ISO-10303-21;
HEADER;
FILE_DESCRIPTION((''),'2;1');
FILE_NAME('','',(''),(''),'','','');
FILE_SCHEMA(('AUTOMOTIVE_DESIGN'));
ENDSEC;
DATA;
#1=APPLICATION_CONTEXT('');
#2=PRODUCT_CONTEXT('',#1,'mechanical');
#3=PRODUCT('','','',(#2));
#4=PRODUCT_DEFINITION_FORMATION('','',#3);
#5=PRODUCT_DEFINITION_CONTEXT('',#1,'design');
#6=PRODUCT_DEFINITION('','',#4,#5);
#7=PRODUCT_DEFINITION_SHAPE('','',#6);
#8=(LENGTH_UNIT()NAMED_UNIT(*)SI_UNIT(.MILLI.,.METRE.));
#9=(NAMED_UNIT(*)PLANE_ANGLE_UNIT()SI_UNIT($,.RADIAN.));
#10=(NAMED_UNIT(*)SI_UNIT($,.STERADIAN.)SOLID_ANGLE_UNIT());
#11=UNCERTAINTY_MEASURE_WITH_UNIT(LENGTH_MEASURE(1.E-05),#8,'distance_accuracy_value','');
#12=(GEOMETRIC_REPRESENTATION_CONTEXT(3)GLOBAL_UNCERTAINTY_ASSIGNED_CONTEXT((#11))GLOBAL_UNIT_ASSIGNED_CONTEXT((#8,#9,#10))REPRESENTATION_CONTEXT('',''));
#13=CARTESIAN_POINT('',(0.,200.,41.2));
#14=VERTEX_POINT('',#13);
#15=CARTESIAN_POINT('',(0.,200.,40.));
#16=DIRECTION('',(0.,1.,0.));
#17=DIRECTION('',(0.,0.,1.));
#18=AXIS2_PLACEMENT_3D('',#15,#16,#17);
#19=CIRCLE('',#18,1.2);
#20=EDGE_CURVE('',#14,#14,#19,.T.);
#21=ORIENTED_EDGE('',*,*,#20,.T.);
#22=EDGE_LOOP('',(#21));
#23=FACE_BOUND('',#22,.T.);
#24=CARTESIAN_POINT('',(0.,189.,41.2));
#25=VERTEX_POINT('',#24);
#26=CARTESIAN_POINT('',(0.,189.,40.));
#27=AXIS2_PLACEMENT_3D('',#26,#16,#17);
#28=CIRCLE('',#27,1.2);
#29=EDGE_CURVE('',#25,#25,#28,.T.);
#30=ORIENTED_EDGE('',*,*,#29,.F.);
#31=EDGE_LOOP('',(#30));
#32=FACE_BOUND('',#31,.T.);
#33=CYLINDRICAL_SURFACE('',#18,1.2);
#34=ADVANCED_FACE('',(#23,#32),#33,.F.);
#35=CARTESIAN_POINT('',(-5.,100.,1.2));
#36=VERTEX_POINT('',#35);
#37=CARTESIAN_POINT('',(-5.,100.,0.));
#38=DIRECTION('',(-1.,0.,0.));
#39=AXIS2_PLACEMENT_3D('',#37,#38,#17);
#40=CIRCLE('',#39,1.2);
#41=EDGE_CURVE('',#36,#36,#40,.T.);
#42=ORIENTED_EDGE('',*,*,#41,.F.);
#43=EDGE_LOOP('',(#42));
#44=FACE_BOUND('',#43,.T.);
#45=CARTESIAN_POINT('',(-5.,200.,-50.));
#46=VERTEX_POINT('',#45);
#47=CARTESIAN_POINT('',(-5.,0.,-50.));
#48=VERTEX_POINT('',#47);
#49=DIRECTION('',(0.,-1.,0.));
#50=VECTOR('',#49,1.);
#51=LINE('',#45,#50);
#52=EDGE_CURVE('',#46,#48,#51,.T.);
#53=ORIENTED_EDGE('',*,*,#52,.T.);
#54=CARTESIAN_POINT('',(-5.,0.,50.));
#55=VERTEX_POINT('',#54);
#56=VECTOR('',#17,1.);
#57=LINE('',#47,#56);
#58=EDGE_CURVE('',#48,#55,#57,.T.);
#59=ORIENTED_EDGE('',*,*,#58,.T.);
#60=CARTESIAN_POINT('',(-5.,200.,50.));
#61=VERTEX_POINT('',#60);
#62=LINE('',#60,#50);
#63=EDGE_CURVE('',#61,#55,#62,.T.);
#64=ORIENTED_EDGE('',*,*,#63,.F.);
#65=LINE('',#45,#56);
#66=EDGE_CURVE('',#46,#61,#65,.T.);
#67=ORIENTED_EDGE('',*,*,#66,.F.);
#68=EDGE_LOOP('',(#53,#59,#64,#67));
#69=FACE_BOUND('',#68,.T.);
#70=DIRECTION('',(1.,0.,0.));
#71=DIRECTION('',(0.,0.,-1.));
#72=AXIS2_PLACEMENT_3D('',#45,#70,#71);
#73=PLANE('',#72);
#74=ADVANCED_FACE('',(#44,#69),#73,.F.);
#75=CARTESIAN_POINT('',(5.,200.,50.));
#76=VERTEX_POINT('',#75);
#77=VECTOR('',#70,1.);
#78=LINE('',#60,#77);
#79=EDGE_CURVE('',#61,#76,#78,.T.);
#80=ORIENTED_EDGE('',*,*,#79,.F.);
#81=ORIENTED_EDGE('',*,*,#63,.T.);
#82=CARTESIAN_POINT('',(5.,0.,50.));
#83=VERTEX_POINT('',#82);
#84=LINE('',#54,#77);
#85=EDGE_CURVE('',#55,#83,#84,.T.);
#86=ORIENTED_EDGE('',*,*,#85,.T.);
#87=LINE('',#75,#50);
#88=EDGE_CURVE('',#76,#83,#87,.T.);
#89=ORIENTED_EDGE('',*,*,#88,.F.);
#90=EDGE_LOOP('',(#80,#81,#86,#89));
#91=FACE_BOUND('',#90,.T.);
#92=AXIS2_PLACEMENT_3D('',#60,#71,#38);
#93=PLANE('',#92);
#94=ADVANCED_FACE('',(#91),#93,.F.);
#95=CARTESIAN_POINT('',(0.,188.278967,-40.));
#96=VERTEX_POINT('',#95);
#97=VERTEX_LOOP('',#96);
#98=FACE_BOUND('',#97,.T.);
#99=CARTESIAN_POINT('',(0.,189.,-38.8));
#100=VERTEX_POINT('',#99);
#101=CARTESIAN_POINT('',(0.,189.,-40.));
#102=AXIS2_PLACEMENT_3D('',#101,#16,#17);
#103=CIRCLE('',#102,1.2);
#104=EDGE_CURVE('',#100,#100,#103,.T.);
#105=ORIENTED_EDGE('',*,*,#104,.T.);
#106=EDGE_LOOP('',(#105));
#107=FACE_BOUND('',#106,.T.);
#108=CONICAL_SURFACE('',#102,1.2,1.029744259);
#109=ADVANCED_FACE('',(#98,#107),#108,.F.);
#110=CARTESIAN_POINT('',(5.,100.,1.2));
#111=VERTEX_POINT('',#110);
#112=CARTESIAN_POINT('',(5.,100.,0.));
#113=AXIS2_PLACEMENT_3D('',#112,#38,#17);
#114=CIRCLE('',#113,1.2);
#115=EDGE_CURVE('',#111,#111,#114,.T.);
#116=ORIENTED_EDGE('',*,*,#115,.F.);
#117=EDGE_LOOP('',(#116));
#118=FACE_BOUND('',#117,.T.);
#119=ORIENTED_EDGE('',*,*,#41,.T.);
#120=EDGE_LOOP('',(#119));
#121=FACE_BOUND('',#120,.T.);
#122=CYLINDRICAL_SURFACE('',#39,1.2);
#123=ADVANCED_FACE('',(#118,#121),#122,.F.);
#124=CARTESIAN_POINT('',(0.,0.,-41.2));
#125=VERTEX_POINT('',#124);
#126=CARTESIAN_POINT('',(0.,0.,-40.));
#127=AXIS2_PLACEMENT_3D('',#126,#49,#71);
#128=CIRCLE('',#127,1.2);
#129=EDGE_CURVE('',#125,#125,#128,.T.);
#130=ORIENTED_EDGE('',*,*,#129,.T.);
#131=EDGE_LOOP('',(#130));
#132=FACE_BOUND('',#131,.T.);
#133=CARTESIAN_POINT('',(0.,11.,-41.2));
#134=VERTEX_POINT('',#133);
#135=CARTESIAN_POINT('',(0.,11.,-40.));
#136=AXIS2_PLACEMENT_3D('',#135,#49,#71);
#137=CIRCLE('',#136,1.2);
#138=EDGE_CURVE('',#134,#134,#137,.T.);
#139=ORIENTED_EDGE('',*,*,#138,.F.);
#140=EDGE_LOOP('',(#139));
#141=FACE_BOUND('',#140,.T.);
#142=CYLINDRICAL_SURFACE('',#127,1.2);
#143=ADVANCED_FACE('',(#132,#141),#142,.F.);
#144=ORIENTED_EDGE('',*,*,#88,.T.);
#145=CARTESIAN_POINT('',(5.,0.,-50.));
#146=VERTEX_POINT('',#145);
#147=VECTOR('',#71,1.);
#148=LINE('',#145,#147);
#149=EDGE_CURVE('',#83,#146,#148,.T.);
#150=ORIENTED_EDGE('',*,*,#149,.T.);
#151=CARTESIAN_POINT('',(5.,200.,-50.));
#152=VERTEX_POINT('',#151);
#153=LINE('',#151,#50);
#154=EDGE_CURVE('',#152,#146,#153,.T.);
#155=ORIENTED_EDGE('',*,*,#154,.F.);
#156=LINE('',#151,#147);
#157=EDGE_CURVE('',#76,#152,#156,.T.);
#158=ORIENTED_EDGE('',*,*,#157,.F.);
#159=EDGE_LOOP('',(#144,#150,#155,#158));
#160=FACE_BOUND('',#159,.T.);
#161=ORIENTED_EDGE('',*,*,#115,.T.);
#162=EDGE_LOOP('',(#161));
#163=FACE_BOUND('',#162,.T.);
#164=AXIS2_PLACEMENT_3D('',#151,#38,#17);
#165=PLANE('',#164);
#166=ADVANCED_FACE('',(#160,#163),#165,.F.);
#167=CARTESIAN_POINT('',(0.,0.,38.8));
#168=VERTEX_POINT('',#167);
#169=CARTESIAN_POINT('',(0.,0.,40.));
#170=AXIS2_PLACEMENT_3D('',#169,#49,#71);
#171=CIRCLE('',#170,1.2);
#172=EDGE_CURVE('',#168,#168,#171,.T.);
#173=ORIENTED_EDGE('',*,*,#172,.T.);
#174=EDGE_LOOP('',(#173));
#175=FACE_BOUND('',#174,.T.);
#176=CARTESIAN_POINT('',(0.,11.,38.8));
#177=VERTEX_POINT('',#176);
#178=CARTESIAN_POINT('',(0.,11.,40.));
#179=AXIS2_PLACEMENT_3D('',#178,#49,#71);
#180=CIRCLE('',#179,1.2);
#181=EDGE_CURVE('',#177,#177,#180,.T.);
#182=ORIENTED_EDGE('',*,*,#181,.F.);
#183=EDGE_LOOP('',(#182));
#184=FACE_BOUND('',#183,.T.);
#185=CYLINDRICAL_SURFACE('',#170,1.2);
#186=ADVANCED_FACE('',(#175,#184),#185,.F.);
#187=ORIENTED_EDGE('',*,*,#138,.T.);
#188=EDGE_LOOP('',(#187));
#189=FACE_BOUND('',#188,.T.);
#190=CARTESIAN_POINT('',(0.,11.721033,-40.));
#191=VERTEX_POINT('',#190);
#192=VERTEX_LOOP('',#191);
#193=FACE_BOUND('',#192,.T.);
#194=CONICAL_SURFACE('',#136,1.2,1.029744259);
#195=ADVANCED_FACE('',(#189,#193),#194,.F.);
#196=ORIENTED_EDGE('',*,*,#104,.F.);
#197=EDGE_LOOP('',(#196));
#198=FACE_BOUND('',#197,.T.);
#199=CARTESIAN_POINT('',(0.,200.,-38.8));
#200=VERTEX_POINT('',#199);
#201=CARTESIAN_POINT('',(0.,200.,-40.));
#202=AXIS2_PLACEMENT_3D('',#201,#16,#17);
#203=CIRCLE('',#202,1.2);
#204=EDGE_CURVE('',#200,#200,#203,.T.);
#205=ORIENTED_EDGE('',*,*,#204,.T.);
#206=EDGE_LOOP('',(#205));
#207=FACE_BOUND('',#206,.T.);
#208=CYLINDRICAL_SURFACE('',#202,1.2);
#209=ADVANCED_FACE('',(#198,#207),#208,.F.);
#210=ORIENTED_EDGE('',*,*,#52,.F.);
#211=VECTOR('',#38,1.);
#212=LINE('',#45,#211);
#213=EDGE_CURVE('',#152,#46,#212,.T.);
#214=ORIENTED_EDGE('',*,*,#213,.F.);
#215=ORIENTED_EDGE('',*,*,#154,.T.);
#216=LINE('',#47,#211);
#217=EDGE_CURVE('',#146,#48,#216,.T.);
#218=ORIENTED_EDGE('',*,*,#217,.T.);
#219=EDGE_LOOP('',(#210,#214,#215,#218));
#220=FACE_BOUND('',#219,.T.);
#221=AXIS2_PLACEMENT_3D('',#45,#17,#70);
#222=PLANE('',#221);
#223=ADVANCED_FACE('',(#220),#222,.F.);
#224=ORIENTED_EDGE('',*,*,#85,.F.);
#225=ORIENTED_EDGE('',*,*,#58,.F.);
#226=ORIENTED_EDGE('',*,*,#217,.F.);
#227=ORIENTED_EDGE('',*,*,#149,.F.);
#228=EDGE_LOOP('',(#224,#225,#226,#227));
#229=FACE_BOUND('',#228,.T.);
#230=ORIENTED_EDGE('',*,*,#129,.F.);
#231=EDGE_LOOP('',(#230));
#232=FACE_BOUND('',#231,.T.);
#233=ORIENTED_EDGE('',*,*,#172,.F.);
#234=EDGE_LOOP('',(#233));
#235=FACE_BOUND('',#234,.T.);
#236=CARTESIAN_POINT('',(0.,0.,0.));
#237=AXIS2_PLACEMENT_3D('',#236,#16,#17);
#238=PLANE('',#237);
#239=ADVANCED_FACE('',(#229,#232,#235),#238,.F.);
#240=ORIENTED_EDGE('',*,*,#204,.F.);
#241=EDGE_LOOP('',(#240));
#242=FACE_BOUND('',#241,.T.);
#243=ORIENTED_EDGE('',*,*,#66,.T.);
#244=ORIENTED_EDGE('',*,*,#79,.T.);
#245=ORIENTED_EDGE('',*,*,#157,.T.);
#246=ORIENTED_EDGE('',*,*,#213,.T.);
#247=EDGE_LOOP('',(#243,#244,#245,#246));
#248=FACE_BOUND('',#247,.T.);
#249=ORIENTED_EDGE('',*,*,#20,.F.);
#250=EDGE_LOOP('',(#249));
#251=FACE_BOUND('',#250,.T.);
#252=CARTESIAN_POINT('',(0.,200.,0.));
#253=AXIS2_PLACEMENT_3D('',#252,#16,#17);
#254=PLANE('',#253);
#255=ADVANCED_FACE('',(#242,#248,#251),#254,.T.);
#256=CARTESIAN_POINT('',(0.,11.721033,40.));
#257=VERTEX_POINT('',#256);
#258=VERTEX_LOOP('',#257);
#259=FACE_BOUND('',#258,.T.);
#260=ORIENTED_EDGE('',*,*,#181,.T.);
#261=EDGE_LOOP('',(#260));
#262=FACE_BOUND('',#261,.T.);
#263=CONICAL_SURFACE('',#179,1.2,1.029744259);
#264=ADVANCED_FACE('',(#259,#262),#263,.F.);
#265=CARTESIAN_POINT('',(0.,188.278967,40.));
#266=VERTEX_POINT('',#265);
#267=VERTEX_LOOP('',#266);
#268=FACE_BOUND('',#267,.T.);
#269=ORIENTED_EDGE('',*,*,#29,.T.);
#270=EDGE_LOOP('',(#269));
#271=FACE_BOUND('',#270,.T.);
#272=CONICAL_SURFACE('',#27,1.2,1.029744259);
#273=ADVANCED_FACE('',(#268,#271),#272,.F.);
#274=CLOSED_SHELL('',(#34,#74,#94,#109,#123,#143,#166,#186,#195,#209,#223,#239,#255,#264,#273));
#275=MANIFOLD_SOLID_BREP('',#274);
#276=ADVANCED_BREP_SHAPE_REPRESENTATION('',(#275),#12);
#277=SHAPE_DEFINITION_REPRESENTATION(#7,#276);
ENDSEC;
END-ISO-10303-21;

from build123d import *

# Parameters (mm, degrees)
SKETCH1_W                = 10
SKETCH1_H                = 100
BOSS_EXTRUDE1_DEPTH      = 200
M2_CLEARANCE_HOLE1_D     = 2.4
M2_CLEARANCE_HOLE1_DEPTH = 11
M2_CLEARANCE_HOLE1_TIP   = 0.721032743
M2_CLEARANCE_HOLE2_D     = 2.4
M2_CLEARANCE_HOLE2_DEPTH = 11
M2_CLEARANCE_HOLE2_TIP   = 0.721032743
M2_CLEARANCE_HOLE3_D     = 2.4


with BuildPart() as part:
    # Sketch1 → Boss-Extrude1 (new body)
    with BuildSketch(Plane(origin=(0, 0, 0), x_dir=(1, 0, 0), z_dir=(0, 1, 0))):
        Rectangle(SKETCH1_W, SKETCH1_H)
    extrude(amount=BOSS_EXTRUDE1_DEPTH)

    # M2 Clearance Hole1
    with Locations(Plane(origin=(0, 200, 0), x_dir=(1, 0, 0), z_dir=(0, 1, 0))):
        with Locations((0, 40), (0, -40)):
            Hole(M2_CLEARANCE_HOLE1_D / 2, depth=M2_CLEARANCE_HOLE1_DEPTH)
            with Locations((0, 0, -(M2_CLEARANCE_HOLE1_DEPTH + M2_CLEARANCE_HOLE1_TIP / 2))):  # 118° drill point
                Cone(0, M2_CLEARANCE_HOLE1_D / 2, M2_CLEARANCE_HOLE1_TIP, mode=Mode.SUBTRACT)

    # M2 Clearance Hole2
    with Locations(Plane(origin=(0, 0, 0), x_dir=(-1, 0, 0), z_dir=(0, -1, 0))):
        with Locations((0, 40), (0, -40)):
            Hole(M2_CLEARANCE_HOLE2_D / 2, depth=M2_CLEARANCE_HOLE2_DEPTH)
            with Locations((0, 0, -(M2_CLEARANCE_HOLE2_DEPTH + M2_CLEARANCE_HOLE2_TIP / 2))):  # 118° drill point
                Cone(0, M2_CLEARANCE_HOLE2_D / 2, M2_CLEARANCE_HOLE2_TIP, mode=Mode.SUBTRACT)

    # M2 Clearance Hole3 (through all)
    with Locations(Plane.ZY.offset(5)):
        with Locations((0, 100)):
            Hole(M2_CLEARANCE_HOLE3_D / 2)


solid = part.part
